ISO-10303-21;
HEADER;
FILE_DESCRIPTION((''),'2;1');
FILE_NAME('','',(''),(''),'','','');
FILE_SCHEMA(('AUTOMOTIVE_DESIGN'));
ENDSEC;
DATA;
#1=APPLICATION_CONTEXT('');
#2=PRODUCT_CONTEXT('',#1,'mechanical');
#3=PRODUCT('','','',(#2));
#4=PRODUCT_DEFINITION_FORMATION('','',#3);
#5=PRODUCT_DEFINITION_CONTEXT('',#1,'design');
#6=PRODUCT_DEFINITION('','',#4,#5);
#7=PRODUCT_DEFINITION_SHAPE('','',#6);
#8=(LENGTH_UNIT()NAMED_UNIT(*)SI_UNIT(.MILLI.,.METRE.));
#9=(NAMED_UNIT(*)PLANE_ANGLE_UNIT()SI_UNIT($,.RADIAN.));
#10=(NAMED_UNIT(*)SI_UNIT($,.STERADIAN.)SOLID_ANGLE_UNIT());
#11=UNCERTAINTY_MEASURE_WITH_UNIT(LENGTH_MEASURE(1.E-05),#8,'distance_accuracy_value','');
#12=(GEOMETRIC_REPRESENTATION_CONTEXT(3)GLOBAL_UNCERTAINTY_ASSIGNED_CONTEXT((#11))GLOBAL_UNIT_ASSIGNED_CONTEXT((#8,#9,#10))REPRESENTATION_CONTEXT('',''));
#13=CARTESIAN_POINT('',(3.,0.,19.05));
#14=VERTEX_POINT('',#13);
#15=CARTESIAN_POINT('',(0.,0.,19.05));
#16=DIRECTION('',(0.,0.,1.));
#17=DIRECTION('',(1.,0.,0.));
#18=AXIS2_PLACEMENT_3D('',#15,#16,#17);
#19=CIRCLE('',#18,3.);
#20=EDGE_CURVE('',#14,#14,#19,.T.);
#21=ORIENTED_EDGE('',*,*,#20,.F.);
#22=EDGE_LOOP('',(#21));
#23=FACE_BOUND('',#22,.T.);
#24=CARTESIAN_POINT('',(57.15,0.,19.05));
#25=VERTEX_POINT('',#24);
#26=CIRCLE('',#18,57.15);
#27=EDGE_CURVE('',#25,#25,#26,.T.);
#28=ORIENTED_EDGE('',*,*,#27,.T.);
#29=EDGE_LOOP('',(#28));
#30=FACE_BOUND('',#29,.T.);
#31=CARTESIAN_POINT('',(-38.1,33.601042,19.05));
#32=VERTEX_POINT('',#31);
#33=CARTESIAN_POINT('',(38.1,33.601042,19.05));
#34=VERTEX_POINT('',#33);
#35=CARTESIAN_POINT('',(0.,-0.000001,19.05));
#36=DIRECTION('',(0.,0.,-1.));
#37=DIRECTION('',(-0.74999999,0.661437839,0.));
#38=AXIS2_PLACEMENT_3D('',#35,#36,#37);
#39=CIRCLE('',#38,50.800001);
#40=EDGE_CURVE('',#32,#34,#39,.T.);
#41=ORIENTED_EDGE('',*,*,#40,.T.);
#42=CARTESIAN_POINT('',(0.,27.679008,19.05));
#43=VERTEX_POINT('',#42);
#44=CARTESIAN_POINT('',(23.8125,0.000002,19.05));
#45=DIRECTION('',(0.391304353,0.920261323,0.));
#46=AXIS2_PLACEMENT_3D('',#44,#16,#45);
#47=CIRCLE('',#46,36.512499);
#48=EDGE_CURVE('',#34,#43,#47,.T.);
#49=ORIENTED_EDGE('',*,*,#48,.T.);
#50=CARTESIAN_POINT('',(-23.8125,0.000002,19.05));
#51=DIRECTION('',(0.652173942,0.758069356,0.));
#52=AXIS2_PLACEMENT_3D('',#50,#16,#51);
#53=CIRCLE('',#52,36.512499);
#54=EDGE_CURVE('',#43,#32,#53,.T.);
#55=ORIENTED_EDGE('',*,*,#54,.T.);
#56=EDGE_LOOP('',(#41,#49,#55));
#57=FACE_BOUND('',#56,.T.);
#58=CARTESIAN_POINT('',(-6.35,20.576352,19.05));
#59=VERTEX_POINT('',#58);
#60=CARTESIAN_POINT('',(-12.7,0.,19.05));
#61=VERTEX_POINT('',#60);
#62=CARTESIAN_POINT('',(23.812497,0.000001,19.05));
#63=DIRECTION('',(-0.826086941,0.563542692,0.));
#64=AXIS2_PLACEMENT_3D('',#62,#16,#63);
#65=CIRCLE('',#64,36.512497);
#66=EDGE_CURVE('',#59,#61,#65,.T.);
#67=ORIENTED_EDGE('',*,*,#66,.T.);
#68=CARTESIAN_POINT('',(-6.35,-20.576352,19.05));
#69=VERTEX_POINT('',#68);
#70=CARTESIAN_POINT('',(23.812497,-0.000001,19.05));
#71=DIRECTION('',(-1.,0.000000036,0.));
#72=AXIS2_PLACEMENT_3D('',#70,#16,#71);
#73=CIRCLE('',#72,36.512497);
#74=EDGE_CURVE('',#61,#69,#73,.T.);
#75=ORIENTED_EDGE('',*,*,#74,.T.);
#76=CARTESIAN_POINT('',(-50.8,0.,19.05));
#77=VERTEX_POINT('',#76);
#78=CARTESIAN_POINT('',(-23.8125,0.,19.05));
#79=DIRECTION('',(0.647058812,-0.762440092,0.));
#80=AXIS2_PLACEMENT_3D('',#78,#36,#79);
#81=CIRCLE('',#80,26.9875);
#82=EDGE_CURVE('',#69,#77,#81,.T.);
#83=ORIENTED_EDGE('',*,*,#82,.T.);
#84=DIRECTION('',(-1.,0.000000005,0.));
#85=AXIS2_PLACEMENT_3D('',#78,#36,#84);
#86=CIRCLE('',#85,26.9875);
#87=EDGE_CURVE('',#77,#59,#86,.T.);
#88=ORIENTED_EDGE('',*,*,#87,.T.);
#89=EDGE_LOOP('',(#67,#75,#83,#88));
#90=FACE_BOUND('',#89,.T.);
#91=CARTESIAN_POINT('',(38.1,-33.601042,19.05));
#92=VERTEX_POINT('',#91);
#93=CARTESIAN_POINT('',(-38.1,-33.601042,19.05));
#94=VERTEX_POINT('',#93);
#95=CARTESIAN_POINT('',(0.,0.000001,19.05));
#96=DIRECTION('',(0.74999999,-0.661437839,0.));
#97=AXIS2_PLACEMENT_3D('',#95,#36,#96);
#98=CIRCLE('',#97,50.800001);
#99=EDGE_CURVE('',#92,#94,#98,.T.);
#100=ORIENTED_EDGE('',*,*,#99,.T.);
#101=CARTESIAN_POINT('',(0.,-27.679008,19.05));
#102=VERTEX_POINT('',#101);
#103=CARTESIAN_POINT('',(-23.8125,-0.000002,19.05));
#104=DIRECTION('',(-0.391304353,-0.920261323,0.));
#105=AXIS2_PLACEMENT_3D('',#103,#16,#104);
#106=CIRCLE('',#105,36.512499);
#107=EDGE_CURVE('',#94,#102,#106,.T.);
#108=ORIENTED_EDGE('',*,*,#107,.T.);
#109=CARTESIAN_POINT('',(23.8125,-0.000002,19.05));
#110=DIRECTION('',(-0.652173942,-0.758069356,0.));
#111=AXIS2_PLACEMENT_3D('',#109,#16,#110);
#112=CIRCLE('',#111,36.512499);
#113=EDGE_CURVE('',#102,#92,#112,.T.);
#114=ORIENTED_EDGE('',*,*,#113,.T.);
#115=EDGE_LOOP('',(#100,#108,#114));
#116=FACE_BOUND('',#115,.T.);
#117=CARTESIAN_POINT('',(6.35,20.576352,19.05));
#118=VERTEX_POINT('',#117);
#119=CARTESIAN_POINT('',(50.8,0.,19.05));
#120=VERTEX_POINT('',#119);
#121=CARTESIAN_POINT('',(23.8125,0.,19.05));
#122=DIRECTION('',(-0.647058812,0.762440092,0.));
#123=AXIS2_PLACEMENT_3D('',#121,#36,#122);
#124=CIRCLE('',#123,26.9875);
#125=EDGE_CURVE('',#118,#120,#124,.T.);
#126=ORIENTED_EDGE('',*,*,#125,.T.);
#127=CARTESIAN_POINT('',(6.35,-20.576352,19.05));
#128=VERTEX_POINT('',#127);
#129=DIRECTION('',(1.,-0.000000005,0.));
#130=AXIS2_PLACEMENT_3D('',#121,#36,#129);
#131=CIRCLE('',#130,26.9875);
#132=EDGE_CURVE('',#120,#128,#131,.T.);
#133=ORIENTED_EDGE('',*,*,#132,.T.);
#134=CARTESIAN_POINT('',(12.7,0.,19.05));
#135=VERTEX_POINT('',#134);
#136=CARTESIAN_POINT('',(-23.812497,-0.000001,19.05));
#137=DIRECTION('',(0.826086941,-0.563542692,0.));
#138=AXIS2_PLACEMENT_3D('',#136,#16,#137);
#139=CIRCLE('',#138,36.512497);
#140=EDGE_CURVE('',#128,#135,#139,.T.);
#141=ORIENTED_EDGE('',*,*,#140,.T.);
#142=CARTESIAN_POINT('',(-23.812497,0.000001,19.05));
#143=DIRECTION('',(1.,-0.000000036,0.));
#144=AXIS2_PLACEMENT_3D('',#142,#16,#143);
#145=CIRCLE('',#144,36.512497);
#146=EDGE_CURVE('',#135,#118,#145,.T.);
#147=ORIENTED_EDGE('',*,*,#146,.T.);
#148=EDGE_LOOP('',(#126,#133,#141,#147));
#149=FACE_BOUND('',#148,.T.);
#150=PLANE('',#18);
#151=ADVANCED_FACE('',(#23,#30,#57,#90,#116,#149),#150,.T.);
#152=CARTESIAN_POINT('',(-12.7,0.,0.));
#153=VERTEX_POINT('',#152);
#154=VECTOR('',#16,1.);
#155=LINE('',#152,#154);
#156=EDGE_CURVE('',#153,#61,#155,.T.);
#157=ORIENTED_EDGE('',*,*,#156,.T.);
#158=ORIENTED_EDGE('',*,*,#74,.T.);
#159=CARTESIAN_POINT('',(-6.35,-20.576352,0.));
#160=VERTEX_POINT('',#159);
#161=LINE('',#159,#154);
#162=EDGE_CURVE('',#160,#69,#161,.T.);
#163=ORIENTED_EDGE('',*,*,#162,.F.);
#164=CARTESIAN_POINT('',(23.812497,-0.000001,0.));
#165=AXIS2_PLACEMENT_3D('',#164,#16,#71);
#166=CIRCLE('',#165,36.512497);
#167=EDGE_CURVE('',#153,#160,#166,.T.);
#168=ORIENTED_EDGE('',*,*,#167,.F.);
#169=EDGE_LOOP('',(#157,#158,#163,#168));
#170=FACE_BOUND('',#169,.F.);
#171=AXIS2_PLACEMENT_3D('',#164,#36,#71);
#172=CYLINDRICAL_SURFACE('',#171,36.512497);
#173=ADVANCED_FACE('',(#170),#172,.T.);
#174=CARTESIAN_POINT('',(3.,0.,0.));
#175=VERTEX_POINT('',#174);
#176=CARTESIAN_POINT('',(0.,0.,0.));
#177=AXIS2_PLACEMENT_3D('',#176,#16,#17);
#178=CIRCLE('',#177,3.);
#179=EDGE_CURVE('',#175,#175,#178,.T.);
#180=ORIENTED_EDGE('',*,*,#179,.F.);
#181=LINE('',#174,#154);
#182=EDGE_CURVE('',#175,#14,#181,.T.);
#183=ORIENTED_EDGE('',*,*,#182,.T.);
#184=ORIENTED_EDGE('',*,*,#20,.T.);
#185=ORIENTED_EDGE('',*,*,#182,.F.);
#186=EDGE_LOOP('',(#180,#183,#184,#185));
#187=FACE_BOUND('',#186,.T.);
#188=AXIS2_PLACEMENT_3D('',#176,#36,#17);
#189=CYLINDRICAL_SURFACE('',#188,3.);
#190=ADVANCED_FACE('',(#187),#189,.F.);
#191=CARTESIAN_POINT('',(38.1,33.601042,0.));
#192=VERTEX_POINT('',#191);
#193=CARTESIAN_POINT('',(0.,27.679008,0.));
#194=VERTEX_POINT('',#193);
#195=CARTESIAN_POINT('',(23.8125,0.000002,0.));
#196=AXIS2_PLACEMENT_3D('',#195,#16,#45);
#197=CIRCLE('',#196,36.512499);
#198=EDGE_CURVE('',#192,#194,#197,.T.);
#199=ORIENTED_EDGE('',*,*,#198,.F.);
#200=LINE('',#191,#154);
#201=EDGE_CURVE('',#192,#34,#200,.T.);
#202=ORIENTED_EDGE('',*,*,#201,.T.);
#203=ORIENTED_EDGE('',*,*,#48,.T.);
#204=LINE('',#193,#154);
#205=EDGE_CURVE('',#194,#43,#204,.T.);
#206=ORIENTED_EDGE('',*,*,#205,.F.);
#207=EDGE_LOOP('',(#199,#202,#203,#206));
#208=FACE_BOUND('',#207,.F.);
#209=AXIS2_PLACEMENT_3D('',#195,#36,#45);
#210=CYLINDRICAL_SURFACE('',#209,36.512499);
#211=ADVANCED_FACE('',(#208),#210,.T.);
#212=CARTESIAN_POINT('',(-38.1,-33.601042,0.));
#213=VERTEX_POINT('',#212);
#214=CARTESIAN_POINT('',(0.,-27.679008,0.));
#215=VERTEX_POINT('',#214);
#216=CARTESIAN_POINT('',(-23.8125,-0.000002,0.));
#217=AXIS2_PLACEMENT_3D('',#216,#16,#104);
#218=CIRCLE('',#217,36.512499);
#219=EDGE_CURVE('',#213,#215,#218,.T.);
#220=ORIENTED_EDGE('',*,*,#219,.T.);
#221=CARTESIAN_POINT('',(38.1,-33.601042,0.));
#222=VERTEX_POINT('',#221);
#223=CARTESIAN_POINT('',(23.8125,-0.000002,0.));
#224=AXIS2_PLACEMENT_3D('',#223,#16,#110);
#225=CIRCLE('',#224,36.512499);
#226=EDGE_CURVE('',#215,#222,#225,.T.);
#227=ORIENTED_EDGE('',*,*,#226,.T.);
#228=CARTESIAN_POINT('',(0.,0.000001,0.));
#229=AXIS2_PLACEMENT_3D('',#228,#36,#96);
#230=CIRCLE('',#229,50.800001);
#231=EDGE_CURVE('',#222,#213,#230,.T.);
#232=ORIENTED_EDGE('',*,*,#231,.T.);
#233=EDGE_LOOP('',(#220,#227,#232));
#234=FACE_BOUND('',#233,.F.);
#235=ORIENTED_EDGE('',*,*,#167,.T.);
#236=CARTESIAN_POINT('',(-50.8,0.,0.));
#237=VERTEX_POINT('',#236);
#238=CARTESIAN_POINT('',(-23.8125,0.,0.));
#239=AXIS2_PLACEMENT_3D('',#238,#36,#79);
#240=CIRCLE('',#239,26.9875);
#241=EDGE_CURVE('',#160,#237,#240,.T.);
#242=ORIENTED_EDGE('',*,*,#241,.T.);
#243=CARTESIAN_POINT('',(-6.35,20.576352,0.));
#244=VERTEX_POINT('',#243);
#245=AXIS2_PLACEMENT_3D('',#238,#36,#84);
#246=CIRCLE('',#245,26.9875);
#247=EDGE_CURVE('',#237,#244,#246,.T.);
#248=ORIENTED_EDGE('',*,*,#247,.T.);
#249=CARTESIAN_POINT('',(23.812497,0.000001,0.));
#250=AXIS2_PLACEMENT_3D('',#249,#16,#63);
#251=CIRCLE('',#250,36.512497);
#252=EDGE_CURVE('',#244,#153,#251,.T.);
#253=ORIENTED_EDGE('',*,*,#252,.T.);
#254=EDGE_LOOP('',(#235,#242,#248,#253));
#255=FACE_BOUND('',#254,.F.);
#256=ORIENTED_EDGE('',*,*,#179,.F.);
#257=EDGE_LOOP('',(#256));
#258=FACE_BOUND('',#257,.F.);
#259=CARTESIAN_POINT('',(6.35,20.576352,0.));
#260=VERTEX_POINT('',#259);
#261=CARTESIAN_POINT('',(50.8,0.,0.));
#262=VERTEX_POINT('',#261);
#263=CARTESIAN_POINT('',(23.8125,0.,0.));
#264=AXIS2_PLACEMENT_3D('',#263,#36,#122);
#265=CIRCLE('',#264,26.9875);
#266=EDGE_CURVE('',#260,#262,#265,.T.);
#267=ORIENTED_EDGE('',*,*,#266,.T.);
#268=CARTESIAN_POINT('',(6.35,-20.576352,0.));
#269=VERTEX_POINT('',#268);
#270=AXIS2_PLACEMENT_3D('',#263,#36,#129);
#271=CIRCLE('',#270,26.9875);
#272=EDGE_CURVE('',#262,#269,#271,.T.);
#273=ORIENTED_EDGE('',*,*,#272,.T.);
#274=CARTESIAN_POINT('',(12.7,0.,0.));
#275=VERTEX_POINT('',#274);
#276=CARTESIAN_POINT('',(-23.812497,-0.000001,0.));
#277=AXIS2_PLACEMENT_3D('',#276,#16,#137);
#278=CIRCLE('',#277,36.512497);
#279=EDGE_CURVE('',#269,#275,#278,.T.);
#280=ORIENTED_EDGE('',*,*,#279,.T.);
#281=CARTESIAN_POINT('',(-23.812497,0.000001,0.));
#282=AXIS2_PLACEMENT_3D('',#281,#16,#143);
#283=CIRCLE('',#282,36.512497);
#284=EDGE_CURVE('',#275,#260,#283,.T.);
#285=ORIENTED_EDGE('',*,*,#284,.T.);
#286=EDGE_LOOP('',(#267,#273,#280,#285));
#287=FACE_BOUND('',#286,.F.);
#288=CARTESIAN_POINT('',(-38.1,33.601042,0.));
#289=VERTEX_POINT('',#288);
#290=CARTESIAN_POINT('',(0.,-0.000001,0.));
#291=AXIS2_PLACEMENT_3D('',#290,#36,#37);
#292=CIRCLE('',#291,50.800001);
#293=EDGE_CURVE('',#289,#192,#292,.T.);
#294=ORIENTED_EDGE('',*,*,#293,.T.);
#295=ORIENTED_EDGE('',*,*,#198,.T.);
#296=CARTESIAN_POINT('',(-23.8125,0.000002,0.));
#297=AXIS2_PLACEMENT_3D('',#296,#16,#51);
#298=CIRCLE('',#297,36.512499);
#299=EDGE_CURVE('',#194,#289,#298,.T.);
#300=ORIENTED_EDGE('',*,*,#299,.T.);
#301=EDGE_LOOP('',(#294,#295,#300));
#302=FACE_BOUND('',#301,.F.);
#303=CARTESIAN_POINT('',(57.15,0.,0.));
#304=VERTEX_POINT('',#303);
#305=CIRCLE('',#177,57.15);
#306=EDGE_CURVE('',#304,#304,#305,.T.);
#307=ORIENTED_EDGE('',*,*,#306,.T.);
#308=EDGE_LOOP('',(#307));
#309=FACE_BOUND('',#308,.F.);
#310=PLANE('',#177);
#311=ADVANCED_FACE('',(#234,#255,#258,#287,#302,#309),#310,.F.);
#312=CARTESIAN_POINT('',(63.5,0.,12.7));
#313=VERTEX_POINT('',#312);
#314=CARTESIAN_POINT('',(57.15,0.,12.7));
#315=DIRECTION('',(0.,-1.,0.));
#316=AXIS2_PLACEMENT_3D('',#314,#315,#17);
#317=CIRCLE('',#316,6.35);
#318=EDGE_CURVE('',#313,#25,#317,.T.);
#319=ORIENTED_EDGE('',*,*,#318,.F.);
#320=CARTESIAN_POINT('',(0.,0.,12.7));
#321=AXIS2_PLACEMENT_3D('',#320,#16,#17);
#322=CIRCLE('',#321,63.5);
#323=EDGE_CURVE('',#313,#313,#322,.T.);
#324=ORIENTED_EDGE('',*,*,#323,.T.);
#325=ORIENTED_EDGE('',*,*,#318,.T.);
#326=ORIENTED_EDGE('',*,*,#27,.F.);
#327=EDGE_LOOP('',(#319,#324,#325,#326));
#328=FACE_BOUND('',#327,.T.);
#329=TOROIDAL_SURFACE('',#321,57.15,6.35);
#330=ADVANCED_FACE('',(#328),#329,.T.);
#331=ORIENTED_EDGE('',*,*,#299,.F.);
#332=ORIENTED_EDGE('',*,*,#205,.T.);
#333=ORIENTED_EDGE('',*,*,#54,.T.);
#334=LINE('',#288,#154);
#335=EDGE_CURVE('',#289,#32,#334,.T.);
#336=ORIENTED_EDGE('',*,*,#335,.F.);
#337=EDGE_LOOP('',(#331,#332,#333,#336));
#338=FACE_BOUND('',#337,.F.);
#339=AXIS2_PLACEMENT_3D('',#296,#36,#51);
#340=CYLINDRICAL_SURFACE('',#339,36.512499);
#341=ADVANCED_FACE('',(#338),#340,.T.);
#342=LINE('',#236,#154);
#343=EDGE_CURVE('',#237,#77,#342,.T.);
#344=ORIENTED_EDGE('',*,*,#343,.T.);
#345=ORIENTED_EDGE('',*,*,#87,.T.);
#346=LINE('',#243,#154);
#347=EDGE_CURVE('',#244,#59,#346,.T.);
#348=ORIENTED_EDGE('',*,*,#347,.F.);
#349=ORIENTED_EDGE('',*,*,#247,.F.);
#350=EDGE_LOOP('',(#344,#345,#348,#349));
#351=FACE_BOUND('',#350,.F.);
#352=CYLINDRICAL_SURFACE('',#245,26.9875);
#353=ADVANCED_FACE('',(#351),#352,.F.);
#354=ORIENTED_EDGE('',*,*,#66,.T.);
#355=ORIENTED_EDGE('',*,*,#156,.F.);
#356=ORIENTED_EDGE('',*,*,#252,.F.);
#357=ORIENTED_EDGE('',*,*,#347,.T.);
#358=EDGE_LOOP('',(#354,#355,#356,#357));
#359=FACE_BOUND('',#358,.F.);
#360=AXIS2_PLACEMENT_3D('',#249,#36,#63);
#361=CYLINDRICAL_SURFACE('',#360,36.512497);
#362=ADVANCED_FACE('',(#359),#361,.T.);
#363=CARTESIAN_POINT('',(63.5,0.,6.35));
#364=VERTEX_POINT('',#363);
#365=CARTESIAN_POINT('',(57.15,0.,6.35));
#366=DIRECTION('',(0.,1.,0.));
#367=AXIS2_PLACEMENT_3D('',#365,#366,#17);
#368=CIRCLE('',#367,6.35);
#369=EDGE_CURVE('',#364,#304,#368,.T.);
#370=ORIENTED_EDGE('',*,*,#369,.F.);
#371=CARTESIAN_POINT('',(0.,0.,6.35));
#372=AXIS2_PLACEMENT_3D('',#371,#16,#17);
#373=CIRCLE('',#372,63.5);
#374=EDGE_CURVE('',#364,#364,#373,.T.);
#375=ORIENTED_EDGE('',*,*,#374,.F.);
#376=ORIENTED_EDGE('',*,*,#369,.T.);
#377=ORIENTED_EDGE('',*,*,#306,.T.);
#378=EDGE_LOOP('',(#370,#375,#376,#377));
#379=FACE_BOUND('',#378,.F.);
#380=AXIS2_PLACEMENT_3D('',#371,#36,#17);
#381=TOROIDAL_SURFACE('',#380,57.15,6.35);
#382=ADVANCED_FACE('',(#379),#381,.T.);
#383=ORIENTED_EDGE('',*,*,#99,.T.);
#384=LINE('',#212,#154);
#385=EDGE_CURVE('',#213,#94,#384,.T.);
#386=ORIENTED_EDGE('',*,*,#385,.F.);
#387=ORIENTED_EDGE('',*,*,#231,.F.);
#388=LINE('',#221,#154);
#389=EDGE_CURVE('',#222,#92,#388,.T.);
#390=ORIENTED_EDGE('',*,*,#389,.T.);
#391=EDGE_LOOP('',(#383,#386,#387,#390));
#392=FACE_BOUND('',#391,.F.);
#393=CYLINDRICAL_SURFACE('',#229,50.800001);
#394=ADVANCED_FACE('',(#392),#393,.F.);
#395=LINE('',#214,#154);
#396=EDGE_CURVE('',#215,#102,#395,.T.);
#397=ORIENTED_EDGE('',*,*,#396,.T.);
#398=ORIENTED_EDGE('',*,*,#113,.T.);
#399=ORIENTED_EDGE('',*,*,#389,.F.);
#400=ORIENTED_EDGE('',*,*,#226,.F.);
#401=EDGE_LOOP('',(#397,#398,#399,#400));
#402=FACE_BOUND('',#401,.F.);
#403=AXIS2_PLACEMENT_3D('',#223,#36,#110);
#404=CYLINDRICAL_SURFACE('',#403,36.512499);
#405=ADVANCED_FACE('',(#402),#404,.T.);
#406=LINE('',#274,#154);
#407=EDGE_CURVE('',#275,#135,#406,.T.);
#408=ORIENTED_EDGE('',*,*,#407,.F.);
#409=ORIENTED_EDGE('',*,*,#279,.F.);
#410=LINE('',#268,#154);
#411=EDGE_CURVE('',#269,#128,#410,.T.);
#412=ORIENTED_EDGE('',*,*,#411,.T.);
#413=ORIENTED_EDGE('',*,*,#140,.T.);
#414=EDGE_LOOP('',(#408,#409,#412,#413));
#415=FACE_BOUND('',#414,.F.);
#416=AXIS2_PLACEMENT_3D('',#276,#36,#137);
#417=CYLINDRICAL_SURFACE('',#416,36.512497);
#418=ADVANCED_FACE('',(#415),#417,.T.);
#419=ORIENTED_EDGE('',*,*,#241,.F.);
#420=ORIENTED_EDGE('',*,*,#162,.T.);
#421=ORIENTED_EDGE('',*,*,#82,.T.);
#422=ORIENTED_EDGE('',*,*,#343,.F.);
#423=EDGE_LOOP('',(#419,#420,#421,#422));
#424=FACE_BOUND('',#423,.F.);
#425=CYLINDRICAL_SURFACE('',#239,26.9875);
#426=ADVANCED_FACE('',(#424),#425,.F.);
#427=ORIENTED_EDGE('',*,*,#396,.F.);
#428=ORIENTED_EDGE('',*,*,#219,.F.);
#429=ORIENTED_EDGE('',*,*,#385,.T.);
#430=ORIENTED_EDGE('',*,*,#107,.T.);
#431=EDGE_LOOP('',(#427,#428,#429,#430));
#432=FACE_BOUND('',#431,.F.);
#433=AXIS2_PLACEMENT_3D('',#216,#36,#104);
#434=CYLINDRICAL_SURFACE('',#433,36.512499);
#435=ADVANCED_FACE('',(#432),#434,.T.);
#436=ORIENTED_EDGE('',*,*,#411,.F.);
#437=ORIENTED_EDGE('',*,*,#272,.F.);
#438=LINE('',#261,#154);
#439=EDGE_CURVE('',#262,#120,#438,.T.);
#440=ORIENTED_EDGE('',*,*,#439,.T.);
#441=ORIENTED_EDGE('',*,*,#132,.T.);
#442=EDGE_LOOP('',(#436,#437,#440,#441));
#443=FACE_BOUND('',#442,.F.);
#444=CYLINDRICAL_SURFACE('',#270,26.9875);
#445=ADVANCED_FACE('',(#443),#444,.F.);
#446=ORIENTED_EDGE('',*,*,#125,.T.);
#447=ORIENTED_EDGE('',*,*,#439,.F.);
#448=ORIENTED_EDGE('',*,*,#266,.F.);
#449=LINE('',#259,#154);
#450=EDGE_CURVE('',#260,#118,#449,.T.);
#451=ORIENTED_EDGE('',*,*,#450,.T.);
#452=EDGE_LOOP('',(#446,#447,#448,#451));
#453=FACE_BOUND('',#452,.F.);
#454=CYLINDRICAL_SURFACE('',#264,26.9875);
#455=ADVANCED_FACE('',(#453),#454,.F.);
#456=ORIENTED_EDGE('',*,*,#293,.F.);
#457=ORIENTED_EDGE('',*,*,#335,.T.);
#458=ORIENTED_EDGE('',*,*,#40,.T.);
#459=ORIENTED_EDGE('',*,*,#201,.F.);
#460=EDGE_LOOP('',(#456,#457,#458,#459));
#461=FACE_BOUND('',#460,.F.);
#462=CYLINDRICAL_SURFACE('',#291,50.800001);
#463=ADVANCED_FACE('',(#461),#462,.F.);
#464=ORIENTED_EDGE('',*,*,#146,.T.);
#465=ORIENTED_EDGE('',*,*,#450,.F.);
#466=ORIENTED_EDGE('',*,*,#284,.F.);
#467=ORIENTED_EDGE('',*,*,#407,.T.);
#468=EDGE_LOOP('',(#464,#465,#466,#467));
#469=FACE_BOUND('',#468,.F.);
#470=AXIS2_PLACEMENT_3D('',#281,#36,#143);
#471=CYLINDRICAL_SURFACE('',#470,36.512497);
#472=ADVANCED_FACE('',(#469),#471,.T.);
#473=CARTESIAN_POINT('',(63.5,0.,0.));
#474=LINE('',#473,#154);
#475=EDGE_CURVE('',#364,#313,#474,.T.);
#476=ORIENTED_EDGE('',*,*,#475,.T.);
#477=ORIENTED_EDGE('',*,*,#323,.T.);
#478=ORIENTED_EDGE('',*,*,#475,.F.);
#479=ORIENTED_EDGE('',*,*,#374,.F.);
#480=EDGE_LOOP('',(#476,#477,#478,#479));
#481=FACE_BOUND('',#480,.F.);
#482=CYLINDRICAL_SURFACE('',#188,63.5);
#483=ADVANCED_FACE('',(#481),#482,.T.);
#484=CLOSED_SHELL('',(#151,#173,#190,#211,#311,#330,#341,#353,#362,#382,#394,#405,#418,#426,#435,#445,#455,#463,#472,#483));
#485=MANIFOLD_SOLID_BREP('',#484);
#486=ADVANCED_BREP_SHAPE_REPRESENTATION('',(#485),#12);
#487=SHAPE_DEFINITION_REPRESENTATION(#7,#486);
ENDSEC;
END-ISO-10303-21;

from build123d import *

# Parameters (mm, degrees)
F0_R     = 63.5
F0_R_2   = 3
F1_DEPTH = 19.05
F2_R     = 6.35


with BuildPart() as f1:
    # F0 (on Top) → F1 (new body)
    with BuildSketch(Plane.XY):
        Circle(F0_R)
        with BuildLine():
            ThreePointArc((38.1, -33.601042), (0, -50.8), (-38.1, -33.601042))
            ThreePointArc((-38.1, -33.601042), (-18.204557, -36.079269), (0, -27.679008))
            ThreePointArc((0, -27.679008), (18.204557, -36.079269), (38.1, -33.601042))
        make_face(mode=Mode.SUBTRACT)
        with BuildLine():
            ThreePointArc((-50.8, 0), (-35.149518, 24.490757), (-6.35, 20.576352))
            ThreePointArc((-6.35, 20.576352), (-11.076402, 10.766949), (-12.7, 0))
            ThreePointArc((-12.7, 0), (-11.076402, -10.766949), (-6.35, -20.576352))
            ThreePointArc((-6.35, -20.576352), (-35.149518, -24.490757), (-50.8, 0))
        make_face(mode=Mode.SUBTRACT)
        Circle(F0_R_2, mode=Mode.SUBTRACT)
        with BuildLine():
            ThreePointArc((6.35, -20.576352), (11.076402, -10.766949), (12.7, 0))
            ThreePointArc((12.7, 0), (11.076402, 10.766949), (6.35, 20.576352))
            ThreePointArc((6.35, 20.576352), (35.149518, 24.490757), (50.8, 0))
            ThreePointArc((50.8, 0), (35.149518, -24.490757), (6.35, -20.576352))
        make_face(mode=Mode.SUBTRACT)
        with BuildLine():
            ThreePointArc((38.1, 33.601042), (18.204557, 36.079269), (0, 27.679008))
            ThreePointArc((0, 27.679008), (-18.204557, 36.079269), (-38.1, 33.601042))
            ThreePointArc((-38.1, 33.601042), (0, 50.8), (38.1, 33.601042))
        make_face(mode=Mode.SUBTRACT)
    extrude(amount=F1_DEPTH)

    # F2
    f2_edges = [f1.edges().sort_by_distance(p)[0] for p in [
        (63.5, 0, 9.525),
        (-63.5, 0, 0),
        (-63.5, 0, 19.05),
    ]]
    fillet(f2_edges, radius=F2_R)


solid = f1.part
